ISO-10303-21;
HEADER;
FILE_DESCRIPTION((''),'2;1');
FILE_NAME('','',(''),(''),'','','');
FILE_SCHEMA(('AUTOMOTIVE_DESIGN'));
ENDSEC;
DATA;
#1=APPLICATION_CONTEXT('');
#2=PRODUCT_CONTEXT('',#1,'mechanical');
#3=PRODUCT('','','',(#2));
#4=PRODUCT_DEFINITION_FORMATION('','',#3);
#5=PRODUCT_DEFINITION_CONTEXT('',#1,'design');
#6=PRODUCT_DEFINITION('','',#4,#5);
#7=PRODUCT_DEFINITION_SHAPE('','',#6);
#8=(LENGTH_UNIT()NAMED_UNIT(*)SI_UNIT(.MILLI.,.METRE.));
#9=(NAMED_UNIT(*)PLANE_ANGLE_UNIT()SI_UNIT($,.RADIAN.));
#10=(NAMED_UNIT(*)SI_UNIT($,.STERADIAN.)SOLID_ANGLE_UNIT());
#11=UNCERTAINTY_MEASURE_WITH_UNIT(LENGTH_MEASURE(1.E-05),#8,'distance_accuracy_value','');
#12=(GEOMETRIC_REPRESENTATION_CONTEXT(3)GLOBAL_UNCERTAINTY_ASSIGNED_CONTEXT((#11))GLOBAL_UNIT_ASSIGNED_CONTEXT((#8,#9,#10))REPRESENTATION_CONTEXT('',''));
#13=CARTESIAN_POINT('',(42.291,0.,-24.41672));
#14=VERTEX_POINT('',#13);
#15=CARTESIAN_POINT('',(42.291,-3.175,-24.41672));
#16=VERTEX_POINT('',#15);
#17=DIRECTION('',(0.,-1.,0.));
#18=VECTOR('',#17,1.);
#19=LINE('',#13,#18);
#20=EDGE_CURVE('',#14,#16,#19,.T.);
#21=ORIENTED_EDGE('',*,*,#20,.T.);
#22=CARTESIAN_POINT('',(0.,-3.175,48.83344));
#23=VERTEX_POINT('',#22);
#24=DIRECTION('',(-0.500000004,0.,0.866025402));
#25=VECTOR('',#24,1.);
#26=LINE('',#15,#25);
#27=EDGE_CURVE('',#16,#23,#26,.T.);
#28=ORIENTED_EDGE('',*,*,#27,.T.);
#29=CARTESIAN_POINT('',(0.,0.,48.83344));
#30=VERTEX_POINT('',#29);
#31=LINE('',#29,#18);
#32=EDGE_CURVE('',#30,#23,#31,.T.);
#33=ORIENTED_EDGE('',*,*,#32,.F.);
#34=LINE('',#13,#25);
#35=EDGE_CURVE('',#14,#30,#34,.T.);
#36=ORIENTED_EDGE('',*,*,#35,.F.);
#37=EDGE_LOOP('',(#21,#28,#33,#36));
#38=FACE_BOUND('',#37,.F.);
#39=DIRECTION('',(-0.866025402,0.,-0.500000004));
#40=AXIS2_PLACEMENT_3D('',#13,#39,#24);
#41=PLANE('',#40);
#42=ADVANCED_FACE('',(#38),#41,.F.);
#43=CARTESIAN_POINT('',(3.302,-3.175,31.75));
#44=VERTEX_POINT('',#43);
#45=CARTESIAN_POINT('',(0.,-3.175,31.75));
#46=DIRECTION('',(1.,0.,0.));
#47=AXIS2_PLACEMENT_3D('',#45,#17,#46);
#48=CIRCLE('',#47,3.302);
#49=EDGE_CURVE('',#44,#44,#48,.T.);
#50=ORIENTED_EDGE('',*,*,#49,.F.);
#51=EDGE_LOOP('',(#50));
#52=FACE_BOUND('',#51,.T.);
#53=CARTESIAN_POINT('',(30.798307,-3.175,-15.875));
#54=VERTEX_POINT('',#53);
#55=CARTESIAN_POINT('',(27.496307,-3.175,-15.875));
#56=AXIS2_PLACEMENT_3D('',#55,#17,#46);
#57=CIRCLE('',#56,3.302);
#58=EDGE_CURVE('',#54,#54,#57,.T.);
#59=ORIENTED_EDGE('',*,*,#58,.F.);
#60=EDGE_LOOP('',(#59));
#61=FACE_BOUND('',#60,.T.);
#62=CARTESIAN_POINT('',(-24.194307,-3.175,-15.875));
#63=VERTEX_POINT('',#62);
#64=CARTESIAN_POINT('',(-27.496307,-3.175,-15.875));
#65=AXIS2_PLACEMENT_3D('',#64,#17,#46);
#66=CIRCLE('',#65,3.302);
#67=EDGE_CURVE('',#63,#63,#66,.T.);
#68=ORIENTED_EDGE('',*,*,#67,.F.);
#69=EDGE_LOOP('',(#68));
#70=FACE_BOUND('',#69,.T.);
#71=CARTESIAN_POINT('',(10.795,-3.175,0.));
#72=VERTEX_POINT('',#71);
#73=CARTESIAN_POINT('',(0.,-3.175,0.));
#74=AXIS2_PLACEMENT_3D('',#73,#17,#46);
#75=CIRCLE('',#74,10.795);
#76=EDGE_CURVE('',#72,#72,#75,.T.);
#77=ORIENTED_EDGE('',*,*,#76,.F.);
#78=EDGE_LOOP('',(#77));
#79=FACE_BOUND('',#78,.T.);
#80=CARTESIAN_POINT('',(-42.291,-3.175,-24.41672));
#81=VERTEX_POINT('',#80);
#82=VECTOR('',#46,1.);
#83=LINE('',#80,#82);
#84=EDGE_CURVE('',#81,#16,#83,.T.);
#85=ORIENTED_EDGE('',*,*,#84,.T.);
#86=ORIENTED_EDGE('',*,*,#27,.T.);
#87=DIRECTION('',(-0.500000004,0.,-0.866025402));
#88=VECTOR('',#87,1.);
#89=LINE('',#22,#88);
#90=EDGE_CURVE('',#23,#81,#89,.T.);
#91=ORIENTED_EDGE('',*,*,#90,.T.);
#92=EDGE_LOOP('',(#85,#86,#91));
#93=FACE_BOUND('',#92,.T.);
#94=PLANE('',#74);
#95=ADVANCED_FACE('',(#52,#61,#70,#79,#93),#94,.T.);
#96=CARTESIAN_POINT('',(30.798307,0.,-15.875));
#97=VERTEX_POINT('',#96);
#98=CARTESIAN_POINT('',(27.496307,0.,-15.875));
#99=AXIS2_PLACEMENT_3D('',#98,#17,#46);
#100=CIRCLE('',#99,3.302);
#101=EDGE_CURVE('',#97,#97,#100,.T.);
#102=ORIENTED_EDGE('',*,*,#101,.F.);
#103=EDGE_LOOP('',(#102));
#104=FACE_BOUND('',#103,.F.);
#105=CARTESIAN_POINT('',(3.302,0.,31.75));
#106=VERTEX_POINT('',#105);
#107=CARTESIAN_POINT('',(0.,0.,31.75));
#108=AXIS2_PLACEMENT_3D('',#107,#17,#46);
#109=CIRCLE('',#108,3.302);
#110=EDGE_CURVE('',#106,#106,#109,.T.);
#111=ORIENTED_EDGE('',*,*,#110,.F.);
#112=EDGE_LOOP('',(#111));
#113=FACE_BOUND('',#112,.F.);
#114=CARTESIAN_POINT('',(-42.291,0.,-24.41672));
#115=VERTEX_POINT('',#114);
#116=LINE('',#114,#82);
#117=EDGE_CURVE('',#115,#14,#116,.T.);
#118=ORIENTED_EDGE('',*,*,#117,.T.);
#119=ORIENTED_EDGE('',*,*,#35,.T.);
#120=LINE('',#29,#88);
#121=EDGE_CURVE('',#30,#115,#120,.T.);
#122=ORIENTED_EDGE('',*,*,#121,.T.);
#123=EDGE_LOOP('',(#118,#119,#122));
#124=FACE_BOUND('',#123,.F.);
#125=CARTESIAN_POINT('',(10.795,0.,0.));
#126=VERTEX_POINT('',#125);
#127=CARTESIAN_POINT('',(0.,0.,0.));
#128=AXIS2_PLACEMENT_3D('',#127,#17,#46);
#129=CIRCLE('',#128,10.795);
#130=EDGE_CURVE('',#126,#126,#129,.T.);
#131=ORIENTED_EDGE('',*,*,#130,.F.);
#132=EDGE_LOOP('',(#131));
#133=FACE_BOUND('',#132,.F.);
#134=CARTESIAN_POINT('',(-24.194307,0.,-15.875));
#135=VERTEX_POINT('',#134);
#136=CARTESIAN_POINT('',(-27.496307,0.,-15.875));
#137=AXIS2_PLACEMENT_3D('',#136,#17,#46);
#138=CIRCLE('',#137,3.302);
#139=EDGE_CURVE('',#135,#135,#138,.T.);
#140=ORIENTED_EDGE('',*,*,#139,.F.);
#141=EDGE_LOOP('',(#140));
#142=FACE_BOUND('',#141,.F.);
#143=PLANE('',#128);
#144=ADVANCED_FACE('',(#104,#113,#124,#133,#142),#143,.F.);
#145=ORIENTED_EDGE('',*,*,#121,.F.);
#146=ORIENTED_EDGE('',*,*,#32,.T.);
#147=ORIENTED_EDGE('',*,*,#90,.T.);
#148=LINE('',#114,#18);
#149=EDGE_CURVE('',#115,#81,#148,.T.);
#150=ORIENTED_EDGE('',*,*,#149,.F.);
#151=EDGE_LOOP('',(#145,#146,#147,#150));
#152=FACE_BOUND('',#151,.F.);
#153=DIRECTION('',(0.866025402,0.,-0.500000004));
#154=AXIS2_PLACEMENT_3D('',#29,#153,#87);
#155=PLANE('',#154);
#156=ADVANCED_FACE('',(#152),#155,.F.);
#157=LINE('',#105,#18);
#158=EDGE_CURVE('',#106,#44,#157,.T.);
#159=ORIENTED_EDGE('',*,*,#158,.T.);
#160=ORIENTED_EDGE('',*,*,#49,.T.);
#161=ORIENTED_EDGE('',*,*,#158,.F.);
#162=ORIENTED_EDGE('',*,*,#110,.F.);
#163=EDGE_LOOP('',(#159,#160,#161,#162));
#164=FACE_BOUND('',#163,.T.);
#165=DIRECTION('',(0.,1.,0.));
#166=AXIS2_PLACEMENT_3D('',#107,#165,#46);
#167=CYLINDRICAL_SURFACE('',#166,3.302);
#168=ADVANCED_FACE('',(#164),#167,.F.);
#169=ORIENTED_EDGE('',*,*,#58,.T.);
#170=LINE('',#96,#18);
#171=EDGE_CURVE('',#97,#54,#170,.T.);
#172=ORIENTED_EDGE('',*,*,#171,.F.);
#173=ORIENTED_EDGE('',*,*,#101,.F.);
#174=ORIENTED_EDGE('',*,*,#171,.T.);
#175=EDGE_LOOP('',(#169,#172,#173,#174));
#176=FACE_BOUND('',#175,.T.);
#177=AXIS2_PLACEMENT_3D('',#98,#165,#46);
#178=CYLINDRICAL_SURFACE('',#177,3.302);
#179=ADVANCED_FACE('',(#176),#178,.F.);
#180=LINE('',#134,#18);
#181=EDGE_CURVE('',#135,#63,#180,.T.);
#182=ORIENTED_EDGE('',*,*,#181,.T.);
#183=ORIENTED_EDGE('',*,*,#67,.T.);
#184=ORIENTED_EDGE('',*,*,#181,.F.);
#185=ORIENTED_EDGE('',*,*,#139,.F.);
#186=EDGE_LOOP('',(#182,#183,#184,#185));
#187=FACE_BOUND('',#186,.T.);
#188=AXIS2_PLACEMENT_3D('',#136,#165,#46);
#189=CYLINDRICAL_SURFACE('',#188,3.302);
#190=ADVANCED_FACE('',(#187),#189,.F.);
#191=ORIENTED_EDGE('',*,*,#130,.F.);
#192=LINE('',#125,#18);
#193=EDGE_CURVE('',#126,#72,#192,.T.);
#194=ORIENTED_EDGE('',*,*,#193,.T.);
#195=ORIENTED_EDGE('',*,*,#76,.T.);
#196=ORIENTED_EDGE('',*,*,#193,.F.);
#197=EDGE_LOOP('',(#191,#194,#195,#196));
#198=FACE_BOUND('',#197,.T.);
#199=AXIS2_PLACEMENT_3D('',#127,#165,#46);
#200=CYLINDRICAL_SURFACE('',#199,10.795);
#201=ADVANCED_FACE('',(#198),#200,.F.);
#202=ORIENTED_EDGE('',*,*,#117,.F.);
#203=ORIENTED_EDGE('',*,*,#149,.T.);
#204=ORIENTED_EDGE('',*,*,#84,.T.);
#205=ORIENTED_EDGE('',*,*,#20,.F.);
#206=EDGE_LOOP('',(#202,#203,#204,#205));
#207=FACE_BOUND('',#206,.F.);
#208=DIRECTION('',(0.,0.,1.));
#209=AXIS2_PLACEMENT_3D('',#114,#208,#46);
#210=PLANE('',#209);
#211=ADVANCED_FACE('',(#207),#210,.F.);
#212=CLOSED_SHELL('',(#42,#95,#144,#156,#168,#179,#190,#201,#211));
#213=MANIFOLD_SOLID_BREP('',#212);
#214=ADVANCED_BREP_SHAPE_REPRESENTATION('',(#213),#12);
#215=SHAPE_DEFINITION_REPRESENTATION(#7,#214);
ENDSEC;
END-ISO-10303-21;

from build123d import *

# Parameters (mm, degrees)
F0_R     = 3.302
F0_R_2   = 10.795
F1_DEPTH = 3.175


with BuildPart() as f1:
    # F0 (on Front) → F1 (new body)
    with BuildSketch(Plane.XZ):
        Polygon((42.291, -24.41672), (0, 48.83344), (-42.291, -24.41672), align=None)
        with Locations((-27.496307, -15.875)):
            Circle(F0_R, mode=Mode.SUBTRACT)
        with Locations((27.496307, -15.875)):
            Circle(F0_R, mode=Mode.SUBTRACT)
        Circle(F0_R_2, mode=Mode.SUBTRACT)
        with Locations((0, 31.75)):
            Circle(F0_R, mode=Mode.SUBTRACT)
    extrude(amount=F1_DEPTH)


solid = f1.part
